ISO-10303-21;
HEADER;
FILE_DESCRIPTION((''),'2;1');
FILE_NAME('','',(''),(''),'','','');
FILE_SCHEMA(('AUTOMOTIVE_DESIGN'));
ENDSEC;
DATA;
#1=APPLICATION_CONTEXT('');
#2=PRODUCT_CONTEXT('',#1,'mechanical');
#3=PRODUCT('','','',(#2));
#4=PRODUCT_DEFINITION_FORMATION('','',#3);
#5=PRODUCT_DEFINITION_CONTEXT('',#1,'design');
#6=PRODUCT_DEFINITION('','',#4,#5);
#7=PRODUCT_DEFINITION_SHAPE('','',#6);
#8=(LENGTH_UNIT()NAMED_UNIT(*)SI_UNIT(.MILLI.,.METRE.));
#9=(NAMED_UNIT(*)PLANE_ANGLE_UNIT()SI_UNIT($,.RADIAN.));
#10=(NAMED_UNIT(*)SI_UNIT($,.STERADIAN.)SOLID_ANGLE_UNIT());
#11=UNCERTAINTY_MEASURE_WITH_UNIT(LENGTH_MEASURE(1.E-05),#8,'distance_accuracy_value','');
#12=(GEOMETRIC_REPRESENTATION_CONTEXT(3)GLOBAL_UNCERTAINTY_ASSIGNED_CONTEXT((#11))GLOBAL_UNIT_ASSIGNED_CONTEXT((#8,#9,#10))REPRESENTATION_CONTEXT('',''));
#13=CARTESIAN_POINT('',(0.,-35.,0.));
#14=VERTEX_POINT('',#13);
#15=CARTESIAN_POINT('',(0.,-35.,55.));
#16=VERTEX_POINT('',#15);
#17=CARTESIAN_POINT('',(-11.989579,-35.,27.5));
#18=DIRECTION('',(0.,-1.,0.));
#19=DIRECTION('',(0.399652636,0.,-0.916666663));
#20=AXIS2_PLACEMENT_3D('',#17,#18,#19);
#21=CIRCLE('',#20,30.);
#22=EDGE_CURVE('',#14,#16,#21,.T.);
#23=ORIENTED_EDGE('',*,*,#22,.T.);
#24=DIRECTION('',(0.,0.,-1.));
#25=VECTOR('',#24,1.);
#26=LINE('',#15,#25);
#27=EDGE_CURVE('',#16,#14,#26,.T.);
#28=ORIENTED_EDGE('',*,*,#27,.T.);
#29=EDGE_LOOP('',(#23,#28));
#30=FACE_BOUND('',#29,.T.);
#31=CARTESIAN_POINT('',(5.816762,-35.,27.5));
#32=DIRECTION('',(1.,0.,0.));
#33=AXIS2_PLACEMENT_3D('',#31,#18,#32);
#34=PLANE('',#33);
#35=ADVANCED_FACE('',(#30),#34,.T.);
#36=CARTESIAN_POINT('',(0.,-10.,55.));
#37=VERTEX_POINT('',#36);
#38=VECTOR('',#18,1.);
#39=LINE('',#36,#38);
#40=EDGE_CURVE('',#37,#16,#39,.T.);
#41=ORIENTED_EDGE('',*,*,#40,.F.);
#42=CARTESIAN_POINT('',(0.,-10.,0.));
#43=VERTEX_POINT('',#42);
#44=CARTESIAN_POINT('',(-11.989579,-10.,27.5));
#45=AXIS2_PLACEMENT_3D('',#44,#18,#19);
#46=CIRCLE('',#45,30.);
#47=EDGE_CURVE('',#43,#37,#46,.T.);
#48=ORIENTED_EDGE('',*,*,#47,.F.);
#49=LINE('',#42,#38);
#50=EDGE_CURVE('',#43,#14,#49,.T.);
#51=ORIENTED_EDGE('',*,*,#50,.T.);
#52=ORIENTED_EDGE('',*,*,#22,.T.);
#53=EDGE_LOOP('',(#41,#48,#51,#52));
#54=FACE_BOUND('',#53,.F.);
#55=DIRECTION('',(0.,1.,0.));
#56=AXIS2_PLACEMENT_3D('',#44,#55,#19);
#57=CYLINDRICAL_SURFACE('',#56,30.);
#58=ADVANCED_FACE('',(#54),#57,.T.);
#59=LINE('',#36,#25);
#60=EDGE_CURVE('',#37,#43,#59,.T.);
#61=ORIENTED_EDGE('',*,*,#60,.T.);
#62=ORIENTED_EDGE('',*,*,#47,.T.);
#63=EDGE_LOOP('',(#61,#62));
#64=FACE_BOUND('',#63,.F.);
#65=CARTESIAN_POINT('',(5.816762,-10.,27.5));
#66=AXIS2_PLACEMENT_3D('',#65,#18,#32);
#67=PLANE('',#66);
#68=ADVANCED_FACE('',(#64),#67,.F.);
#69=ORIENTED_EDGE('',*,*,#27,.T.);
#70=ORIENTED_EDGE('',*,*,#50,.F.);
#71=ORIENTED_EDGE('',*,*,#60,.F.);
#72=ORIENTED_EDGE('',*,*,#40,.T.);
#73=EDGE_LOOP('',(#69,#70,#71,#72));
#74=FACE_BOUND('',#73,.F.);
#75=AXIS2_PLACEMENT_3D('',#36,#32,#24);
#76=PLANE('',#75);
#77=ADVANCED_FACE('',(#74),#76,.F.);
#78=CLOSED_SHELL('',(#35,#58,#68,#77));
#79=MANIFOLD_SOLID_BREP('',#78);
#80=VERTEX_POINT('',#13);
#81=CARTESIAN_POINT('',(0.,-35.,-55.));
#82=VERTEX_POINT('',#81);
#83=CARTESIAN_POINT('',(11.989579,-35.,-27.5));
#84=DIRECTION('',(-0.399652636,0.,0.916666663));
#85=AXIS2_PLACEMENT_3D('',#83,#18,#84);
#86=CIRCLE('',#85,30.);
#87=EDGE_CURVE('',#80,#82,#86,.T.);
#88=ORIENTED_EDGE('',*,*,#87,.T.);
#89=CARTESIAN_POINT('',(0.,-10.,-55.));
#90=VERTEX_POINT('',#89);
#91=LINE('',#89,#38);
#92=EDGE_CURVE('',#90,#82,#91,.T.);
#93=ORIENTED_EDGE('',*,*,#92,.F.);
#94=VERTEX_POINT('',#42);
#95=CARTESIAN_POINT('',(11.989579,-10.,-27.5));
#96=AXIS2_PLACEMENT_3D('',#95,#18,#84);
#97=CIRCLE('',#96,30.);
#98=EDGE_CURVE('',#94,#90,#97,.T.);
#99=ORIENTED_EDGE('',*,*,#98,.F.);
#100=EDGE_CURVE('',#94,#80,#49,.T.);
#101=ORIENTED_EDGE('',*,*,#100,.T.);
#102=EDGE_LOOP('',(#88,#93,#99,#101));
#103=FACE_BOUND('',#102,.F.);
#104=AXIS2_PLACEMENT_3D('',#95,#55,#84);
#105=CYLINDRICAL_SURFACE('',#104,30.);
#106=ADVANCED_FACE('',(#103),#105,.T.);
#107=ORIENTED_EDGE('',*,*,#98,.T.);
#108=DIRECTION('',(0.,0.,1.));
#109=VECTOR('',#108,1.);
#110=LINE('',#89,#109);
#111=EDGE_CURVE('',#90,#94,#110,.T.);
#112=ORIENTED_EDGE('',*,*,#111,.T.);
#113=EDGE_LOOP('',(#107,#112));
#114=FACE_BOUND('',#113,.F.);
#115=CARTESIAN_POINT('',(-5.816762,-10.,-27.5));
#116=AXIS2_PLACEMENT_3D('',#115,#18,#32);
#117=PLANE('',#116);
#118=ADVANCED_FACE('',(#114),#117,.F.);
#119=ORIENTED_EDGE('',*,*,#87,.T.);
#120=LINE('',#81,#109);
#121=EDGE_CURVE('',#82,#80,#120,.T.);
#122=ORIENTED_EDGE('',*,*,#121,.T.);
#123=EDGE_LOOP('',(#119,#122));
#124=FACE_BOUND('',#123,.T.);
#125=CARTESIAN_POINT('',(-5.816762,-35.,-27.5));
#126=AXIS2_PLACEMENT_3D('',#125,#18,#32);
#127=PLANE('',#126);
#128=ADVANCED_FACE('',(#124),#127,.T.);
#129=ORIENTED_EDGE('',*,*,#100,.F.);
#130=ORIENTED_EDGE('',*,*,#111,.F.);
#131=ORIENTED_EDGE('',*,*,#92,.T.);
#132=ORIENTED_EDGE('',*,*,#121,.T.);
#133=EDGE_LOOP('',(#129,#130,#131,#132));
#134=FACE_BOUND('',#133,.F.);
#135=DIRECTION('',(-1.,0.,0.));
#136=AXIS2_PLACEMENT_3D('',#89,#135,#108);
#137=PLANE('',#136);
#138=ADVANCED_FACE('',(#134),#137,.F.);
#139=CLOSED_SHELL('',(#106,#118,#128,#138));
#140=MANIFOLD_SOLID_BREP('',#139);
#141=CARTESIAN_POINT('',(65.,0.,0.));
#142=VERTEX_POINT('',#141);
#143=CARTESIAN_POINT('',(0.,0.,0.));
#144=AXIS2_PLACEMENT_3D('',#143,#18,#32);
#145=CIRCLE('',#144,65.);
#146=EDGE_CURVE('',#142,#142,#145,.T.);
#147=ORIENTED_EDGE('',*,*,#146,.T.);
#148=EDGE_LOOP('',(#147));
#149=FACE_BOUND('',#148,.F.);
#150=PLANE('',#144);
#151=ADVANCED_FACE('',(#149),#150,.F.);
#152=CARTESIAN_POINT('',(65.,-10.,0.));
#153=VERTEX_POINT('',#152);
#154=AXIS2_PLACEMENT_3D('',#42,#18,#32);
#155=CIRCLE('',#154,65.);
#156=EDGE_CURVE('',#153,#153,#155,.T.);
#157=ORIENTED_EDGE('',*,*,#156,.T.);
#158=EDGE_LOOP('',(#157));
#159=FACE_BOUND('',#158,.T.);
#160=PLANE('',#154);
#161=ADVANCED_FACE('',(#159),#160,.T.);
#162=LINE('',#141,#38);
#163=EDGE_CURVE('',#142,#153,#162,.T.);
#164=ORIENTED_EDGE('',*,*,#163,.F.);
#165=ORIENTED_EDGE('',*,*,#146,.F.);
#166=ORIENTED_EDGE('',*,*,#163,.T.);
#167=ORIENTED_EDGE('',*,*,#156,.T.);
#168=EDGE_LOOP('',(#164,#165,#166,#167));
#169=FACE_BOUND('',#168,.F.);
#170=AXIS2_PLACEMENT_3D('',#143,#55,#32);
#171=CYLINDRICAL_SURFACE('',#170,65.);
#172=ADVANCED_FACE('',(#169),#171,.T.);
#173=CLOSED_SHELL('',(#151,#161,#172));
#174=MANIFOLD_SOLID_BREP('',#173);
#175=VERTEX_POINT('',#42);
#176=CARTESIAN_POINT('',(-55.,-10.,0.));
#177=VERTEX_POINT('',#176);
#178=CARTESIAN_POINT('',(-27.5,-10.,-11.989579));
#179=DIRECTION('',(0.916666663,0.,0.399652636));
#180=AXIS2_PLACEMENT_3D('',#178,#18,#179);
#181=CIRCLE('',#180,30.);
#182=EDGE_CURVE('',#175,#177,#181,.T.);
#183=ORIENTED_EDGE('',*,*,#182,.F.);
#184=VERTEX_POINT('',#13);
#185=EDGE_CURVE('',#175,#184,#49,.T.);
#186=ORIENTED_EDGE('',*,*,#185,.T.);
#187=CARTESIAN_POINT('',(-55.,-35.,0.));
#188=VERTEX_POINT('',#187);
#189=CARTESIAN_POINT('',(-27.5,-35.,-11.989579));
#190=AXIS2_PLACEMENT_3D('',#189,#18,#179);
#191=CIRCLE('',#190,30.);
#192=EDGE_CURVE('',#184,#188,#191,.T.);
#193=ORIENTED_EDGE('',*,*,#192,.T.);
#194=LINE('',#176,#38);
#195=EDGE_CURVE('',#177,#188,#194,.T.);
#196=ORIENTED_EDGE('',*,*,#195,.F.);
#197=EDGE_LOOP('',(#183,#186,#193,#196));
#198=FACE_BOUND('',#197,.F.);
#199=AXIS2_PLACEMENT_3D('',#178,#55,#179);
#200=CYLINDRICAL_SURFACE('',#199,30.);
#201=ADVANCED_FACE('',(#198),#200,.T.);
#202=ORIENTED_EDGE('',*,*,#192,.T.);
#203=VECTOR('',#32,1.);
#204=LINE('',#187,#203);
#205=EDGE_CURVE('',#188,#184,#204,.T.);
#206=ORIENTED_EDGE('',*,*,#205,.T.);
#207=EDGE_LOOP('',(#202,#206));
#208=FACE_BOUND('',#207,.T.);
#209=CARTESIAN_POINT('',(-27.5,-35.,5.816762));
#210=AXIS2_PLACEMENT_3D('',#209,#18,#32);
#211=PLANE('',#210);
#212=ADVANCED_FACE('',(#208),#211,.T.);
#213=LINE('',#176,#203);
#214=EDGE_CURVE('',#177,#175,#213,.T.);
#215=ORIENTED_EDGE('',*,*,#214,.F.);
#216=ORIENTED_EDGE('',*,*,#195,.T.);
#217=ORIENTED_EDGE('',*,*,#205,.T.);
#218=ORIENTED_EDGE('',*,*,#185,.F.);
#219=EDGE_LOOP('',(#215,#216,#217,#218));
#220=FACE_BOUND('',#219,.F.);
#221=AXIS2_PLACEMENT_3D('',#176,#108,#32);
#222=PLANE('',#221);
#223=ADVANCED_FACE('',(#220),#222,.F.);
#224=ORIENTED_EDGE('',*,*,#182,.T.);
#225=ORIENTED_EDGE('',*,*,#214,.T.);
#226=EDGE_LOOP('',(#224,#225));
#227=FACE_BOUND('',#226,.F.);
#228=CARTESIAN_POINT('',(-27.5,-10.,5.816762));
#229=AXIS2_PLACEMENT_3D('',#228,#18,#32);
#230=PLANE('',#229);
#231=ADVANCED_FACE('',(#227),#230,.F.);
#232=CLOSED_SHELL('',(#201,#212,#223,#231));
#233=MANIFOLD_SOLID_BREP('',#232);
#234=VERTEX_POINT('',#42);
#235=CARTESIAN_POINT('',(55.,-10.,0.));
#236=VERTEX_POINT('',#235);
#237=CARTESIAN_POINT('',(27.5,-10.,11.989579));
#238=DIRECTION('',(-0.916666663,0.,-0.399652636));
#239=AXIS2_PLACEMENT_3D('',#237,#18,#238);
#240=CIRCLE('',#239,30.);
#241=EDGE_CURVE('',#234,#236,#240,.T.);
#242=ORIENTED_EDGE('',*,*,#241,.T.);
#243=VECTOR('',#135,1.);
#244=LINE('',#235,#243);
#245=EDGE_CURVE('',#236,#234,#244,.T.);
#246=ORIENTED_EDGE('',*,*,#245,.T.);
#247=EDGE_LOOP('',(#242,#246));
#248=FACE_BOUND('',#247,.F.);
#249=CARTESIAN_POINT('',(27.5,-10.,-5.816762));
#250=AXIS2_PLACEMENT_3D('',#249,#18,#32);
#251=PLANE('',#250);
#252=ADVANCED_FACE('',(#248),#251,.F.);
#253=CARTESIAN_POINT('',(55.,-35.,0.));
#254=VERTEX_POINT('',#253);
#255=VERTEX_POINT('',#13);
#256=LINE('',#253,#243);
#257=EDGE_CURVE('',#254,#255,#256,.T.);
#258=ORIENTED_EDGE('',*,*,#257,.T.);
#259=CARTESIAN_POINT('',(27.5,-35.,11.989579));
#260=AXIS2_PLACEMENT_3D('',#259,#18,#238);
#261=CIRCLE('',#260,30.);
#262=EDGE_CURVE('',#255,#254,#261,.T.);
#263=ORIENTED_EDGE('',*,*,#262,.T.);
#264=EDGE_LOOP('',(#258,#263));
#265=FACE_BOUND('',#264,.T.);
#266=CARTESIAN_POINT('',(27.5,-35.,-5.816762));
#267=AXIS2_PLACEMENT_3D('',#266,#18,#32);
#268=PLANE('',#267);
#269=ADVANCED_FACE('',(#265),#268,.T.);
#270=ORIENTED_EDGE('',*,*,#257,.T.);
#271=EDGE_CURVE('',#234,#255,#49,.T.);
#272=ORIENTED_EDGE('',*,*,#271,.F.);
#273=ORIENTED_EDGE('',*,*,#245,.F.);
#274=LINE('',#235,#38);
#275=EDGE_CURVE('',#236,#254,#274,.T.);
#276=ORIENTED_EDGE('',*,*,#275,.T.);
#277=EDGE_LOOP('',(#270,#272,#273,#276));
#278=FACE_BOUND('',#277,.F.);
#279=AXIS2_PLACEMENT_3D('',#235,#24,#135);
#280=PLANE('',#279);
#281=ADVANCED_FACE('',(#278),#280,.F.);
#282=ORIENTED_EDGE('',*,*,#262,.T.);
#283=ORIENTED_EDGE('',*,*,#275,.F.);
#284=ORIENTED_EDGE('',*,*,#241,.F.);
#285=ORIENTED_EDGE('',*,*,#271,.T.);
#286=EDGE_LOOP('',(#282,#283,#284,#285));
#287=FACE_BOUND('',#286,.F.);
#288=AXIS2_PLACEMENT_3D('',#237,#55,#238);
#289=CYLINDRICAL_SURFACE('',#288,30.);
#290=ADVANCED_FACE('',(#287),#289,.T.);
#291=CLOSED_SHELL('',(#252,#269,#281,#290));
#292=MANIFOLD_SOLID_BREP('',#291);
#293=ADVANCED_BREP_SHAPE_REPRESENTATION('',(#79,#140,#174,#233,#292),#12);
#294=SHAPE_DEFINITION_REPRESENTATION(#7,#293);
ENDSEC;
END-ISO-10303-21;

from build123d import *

# Parameters (mm, degrees)
F0_R     = 65
F1_DEPTH = 10
F3_DEPTH = 25


with BuildPart() as f1:
    # F0 (on Front) → F1 (new body)
    with BuildSketch(Plane.XZ):
        Circle(F0_R)
    extrude(amount=F1_DEPTH)


with BuildPart() as f3:
    # F2 (on face) → F3 (new body)
    with BuildSketch(Plane.XZ.offset(10)):
        with BuildLine():
            Line((0, 55), (0, 0))
            ThreePointArc((0, 0), (18.010421, 27.5), (0, 55))
        make_face()
        with BuildLine():
            Line((55, 0), (0, 0))
            ThreePointArc((0, 0), (27.5, -18.010421), (55, 0))
        make_face()
        with BuildLine():
            Line((0, -55), (0, 0))
            ThreePointArc((0, 0), (-18.010421, -27.5), (0, -55))
        make_face()
        with BuildLine():
            Line((-55, 0), (0, 0))
            ThreePointArc((0, 0), (-27.5, 18.010421), (-55, 0))
        make_face()
    extrude(amount=F3_DEPTH)


solid = Compound([f1.part, f3.part])
